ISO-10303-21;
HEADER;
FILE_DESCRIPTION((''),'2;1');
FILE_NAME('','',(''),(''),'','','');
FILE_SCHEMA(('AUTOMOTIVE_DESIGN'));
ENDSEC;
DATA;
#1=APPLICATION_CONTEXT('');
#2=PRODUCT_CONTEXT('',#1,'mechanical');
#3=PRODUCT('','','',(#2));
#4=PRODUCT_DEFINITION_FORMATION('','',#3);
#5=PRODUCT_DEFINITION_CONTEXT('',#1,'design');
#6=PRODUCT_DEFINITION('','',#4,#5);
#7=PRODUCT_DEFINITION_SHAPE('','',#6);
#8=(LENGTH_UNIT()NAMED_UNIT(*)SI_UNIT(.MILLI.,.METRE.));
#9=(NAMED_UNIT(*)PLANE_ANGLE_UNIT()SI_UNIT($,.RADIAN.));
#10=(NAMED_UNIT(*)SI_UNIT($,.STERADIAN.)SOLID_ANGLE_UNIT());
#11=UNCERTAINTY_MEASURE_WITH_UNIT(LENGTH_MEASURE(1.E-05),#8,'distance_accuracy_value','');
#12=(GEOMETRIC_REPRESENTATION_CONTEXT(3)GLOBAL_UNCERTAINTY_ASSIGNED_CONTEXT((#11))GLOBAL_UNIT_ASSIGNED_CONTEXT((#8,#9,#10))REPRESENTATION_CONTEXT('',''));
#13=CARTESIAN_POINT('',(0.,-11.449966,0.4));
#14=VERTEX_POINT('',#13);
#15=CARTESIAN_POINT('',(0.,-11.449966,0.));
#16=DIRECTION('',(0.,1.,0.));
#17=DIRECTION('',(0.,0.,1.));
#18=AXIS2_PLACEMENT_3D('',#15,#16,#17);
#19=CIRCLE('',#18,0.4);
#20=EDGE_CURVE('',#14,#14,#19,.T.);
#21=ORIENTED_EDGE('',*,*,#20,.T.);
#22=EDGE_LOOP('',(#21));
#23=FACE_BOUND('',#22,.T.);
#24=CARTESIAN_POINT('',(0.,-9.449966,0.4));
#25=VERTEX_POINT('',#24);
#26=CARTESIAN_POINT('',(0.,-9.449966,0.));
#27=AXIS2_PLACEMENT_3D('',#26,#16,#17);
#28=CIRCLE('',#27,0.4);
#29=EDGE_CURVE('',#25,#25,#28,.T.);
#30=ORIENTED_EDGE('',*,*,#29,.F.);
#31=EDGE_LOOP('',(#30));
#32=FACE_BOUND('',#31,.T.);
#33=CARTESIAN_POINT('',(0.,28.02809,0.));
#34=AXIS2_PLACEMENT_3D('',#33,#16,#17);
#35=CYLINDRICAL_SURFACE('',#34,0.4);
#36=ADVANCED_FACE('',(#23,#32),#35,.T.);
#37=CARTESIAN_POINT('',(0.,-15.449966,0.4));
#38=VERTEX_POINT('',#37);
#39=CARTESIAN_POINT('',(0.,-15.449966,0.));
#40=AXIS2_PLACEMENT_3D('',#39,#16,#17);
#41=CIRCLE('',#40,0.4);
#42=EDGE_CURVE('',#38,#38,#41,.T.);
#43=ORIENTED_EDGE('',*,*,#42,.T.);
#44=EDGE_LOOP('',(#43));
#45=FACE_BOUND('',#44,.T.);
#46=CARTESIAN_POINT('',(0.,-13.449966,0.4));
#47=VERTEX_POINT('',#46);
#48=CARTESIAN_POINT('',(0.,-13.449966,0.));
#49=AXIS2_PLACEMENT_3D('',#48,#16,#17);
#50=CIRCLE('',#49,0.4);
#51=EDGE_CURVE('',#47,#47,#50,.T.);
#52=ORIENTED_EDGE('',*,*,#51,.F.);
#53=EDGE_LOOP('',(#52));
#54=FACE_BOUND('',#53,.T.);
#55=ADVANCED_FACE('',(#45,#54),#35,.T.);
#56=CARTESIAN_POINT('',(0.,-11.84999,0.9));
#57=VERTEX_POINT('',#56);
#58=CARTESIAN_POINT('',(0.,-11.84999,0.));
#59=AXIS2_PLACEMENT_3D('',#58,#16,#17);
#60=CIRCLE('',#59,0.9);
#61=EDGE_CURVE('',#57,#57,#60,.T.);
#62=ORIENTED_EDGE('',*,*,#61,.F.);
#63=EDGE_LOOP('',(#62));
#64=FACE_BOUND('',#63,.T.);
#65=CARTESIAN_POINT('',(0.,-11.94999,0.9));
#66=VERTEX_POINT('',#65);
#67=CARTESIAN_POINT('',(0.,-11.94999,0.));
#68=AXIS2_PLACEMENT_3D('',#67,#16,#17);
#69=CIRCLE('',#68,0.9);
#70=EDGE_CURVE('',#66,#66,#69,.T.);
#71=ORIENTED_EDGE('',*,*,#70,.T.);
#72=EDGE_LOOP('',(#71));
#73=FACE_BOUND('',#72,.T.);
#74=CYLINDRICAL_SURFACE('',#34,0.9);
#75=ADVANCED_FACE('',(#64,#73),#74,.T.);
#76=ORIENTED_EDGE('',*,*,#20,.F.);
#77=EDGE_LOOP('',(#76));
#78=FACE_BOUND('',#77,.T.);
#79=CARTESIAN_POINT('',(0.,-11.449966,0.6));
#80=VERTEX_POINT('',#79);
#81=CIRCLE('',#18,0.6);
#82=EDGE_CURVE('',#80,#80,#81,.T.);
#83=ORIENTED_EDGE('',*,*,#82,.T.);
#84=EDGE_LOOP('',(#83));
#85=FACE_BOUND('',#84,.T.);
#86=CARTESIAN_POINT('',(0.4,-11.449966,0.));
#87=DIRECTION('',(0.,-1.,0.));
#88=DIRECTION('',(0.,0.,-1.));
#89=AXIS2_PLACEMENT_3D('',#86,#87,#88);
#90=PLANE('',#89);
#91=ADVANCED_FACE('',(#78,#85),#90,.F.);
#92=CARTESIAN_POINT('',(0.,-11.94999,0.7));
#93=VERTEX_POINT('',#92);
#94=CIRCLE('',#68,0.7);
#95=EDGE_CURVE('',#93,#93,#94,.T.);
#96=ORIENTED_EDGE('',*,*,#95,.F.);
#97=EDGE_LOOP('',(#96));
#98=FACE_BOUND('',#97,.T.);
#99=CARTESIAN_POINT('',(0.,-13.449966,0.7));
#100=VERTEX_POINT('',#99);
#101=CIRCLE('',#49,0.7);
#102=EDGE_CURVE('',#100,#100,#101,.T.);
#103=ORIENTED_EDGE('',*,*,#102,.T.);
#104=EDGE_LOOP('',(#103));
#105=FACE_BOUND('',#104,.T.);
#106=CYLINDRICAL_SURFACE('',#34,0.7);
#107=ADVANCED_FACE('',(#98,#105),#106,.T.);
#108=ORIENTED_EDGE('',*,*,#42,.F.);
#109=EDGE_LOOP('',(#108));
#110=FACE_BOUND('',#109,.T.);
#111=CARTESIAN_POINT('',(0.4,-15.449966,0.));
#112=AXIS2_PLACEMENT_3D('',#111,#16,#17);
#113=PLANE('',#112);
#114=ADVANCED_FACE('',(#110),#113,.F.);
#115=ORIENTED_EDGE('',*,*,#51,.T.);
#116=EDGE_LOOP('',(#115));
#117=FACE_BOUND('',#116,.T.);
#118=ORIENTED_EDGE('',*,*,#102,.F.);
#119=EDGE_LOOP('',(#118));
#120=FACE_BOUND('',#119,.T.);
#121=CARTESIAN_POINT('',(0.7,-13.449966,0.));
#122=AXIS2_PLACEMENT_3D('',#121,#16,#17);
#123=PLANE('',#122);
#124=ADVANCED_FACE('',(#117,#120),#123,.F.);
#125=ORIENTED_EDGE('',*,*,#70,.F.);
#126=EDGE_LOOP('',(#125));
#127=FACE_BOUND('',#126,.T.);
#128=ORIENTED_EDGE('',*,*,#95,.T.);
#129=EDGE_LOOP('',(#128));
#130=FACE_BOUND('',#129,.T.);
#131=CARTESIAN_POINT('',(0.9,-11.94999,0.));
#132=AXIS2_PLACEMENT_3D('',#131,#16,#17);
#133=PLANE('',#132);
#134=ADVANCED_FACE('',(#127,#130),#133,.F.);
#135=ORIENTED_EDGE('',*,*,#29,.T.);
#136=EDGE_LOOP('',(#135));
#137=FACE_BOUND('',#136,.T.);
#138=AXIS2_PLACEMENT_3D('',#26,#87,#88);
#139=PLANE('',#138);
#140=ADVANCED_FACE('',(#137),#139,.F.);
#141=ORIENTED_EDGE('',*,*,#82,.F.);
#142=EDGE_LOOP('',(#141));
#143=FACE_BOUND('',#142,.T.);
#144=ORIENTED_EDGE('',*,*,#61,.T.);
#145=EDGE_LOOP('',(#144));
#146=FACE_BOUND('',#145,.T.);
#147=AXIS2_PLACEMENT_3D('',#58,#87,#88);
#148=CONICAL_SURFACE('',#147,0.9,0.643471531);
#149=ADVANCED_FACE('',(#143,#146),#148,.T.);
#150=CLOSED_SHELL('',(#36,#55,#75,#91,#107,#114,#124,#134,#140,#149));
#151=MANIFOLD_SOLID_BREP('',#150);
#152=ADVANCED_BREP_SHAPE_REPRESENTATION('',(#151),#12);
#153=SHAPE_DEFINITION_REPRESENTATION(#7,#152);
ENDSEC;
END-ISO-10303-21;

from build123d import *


with BuildPart() as part:
    # Sketch1 → Revolve1 (revolve)
    with BuildSketch(Plane.XY, mode=Mode.PRIVATE) as revolve1_sk:
        Polygon((0, -9.44996569), (0.4, -9.44996569), (0.4, -11.44996569), (0.6, -11.44996569), (0.9, -11.849990339), (0.9, -11.949990339), (0.7, -11.949990339), (0.7, -13.44996569), (0.4, -13.44996569), (0.4, -15.44996569), (0, -15.44996569), align=None)
    revolve(revolve1_sk.sketch.rotate(Axis((0, 28.028089714, 0), (0, -1, 0)), 90), axis=Axis((0, 28.028089714, 0), (0, -1, 0)))


solid = part.part
